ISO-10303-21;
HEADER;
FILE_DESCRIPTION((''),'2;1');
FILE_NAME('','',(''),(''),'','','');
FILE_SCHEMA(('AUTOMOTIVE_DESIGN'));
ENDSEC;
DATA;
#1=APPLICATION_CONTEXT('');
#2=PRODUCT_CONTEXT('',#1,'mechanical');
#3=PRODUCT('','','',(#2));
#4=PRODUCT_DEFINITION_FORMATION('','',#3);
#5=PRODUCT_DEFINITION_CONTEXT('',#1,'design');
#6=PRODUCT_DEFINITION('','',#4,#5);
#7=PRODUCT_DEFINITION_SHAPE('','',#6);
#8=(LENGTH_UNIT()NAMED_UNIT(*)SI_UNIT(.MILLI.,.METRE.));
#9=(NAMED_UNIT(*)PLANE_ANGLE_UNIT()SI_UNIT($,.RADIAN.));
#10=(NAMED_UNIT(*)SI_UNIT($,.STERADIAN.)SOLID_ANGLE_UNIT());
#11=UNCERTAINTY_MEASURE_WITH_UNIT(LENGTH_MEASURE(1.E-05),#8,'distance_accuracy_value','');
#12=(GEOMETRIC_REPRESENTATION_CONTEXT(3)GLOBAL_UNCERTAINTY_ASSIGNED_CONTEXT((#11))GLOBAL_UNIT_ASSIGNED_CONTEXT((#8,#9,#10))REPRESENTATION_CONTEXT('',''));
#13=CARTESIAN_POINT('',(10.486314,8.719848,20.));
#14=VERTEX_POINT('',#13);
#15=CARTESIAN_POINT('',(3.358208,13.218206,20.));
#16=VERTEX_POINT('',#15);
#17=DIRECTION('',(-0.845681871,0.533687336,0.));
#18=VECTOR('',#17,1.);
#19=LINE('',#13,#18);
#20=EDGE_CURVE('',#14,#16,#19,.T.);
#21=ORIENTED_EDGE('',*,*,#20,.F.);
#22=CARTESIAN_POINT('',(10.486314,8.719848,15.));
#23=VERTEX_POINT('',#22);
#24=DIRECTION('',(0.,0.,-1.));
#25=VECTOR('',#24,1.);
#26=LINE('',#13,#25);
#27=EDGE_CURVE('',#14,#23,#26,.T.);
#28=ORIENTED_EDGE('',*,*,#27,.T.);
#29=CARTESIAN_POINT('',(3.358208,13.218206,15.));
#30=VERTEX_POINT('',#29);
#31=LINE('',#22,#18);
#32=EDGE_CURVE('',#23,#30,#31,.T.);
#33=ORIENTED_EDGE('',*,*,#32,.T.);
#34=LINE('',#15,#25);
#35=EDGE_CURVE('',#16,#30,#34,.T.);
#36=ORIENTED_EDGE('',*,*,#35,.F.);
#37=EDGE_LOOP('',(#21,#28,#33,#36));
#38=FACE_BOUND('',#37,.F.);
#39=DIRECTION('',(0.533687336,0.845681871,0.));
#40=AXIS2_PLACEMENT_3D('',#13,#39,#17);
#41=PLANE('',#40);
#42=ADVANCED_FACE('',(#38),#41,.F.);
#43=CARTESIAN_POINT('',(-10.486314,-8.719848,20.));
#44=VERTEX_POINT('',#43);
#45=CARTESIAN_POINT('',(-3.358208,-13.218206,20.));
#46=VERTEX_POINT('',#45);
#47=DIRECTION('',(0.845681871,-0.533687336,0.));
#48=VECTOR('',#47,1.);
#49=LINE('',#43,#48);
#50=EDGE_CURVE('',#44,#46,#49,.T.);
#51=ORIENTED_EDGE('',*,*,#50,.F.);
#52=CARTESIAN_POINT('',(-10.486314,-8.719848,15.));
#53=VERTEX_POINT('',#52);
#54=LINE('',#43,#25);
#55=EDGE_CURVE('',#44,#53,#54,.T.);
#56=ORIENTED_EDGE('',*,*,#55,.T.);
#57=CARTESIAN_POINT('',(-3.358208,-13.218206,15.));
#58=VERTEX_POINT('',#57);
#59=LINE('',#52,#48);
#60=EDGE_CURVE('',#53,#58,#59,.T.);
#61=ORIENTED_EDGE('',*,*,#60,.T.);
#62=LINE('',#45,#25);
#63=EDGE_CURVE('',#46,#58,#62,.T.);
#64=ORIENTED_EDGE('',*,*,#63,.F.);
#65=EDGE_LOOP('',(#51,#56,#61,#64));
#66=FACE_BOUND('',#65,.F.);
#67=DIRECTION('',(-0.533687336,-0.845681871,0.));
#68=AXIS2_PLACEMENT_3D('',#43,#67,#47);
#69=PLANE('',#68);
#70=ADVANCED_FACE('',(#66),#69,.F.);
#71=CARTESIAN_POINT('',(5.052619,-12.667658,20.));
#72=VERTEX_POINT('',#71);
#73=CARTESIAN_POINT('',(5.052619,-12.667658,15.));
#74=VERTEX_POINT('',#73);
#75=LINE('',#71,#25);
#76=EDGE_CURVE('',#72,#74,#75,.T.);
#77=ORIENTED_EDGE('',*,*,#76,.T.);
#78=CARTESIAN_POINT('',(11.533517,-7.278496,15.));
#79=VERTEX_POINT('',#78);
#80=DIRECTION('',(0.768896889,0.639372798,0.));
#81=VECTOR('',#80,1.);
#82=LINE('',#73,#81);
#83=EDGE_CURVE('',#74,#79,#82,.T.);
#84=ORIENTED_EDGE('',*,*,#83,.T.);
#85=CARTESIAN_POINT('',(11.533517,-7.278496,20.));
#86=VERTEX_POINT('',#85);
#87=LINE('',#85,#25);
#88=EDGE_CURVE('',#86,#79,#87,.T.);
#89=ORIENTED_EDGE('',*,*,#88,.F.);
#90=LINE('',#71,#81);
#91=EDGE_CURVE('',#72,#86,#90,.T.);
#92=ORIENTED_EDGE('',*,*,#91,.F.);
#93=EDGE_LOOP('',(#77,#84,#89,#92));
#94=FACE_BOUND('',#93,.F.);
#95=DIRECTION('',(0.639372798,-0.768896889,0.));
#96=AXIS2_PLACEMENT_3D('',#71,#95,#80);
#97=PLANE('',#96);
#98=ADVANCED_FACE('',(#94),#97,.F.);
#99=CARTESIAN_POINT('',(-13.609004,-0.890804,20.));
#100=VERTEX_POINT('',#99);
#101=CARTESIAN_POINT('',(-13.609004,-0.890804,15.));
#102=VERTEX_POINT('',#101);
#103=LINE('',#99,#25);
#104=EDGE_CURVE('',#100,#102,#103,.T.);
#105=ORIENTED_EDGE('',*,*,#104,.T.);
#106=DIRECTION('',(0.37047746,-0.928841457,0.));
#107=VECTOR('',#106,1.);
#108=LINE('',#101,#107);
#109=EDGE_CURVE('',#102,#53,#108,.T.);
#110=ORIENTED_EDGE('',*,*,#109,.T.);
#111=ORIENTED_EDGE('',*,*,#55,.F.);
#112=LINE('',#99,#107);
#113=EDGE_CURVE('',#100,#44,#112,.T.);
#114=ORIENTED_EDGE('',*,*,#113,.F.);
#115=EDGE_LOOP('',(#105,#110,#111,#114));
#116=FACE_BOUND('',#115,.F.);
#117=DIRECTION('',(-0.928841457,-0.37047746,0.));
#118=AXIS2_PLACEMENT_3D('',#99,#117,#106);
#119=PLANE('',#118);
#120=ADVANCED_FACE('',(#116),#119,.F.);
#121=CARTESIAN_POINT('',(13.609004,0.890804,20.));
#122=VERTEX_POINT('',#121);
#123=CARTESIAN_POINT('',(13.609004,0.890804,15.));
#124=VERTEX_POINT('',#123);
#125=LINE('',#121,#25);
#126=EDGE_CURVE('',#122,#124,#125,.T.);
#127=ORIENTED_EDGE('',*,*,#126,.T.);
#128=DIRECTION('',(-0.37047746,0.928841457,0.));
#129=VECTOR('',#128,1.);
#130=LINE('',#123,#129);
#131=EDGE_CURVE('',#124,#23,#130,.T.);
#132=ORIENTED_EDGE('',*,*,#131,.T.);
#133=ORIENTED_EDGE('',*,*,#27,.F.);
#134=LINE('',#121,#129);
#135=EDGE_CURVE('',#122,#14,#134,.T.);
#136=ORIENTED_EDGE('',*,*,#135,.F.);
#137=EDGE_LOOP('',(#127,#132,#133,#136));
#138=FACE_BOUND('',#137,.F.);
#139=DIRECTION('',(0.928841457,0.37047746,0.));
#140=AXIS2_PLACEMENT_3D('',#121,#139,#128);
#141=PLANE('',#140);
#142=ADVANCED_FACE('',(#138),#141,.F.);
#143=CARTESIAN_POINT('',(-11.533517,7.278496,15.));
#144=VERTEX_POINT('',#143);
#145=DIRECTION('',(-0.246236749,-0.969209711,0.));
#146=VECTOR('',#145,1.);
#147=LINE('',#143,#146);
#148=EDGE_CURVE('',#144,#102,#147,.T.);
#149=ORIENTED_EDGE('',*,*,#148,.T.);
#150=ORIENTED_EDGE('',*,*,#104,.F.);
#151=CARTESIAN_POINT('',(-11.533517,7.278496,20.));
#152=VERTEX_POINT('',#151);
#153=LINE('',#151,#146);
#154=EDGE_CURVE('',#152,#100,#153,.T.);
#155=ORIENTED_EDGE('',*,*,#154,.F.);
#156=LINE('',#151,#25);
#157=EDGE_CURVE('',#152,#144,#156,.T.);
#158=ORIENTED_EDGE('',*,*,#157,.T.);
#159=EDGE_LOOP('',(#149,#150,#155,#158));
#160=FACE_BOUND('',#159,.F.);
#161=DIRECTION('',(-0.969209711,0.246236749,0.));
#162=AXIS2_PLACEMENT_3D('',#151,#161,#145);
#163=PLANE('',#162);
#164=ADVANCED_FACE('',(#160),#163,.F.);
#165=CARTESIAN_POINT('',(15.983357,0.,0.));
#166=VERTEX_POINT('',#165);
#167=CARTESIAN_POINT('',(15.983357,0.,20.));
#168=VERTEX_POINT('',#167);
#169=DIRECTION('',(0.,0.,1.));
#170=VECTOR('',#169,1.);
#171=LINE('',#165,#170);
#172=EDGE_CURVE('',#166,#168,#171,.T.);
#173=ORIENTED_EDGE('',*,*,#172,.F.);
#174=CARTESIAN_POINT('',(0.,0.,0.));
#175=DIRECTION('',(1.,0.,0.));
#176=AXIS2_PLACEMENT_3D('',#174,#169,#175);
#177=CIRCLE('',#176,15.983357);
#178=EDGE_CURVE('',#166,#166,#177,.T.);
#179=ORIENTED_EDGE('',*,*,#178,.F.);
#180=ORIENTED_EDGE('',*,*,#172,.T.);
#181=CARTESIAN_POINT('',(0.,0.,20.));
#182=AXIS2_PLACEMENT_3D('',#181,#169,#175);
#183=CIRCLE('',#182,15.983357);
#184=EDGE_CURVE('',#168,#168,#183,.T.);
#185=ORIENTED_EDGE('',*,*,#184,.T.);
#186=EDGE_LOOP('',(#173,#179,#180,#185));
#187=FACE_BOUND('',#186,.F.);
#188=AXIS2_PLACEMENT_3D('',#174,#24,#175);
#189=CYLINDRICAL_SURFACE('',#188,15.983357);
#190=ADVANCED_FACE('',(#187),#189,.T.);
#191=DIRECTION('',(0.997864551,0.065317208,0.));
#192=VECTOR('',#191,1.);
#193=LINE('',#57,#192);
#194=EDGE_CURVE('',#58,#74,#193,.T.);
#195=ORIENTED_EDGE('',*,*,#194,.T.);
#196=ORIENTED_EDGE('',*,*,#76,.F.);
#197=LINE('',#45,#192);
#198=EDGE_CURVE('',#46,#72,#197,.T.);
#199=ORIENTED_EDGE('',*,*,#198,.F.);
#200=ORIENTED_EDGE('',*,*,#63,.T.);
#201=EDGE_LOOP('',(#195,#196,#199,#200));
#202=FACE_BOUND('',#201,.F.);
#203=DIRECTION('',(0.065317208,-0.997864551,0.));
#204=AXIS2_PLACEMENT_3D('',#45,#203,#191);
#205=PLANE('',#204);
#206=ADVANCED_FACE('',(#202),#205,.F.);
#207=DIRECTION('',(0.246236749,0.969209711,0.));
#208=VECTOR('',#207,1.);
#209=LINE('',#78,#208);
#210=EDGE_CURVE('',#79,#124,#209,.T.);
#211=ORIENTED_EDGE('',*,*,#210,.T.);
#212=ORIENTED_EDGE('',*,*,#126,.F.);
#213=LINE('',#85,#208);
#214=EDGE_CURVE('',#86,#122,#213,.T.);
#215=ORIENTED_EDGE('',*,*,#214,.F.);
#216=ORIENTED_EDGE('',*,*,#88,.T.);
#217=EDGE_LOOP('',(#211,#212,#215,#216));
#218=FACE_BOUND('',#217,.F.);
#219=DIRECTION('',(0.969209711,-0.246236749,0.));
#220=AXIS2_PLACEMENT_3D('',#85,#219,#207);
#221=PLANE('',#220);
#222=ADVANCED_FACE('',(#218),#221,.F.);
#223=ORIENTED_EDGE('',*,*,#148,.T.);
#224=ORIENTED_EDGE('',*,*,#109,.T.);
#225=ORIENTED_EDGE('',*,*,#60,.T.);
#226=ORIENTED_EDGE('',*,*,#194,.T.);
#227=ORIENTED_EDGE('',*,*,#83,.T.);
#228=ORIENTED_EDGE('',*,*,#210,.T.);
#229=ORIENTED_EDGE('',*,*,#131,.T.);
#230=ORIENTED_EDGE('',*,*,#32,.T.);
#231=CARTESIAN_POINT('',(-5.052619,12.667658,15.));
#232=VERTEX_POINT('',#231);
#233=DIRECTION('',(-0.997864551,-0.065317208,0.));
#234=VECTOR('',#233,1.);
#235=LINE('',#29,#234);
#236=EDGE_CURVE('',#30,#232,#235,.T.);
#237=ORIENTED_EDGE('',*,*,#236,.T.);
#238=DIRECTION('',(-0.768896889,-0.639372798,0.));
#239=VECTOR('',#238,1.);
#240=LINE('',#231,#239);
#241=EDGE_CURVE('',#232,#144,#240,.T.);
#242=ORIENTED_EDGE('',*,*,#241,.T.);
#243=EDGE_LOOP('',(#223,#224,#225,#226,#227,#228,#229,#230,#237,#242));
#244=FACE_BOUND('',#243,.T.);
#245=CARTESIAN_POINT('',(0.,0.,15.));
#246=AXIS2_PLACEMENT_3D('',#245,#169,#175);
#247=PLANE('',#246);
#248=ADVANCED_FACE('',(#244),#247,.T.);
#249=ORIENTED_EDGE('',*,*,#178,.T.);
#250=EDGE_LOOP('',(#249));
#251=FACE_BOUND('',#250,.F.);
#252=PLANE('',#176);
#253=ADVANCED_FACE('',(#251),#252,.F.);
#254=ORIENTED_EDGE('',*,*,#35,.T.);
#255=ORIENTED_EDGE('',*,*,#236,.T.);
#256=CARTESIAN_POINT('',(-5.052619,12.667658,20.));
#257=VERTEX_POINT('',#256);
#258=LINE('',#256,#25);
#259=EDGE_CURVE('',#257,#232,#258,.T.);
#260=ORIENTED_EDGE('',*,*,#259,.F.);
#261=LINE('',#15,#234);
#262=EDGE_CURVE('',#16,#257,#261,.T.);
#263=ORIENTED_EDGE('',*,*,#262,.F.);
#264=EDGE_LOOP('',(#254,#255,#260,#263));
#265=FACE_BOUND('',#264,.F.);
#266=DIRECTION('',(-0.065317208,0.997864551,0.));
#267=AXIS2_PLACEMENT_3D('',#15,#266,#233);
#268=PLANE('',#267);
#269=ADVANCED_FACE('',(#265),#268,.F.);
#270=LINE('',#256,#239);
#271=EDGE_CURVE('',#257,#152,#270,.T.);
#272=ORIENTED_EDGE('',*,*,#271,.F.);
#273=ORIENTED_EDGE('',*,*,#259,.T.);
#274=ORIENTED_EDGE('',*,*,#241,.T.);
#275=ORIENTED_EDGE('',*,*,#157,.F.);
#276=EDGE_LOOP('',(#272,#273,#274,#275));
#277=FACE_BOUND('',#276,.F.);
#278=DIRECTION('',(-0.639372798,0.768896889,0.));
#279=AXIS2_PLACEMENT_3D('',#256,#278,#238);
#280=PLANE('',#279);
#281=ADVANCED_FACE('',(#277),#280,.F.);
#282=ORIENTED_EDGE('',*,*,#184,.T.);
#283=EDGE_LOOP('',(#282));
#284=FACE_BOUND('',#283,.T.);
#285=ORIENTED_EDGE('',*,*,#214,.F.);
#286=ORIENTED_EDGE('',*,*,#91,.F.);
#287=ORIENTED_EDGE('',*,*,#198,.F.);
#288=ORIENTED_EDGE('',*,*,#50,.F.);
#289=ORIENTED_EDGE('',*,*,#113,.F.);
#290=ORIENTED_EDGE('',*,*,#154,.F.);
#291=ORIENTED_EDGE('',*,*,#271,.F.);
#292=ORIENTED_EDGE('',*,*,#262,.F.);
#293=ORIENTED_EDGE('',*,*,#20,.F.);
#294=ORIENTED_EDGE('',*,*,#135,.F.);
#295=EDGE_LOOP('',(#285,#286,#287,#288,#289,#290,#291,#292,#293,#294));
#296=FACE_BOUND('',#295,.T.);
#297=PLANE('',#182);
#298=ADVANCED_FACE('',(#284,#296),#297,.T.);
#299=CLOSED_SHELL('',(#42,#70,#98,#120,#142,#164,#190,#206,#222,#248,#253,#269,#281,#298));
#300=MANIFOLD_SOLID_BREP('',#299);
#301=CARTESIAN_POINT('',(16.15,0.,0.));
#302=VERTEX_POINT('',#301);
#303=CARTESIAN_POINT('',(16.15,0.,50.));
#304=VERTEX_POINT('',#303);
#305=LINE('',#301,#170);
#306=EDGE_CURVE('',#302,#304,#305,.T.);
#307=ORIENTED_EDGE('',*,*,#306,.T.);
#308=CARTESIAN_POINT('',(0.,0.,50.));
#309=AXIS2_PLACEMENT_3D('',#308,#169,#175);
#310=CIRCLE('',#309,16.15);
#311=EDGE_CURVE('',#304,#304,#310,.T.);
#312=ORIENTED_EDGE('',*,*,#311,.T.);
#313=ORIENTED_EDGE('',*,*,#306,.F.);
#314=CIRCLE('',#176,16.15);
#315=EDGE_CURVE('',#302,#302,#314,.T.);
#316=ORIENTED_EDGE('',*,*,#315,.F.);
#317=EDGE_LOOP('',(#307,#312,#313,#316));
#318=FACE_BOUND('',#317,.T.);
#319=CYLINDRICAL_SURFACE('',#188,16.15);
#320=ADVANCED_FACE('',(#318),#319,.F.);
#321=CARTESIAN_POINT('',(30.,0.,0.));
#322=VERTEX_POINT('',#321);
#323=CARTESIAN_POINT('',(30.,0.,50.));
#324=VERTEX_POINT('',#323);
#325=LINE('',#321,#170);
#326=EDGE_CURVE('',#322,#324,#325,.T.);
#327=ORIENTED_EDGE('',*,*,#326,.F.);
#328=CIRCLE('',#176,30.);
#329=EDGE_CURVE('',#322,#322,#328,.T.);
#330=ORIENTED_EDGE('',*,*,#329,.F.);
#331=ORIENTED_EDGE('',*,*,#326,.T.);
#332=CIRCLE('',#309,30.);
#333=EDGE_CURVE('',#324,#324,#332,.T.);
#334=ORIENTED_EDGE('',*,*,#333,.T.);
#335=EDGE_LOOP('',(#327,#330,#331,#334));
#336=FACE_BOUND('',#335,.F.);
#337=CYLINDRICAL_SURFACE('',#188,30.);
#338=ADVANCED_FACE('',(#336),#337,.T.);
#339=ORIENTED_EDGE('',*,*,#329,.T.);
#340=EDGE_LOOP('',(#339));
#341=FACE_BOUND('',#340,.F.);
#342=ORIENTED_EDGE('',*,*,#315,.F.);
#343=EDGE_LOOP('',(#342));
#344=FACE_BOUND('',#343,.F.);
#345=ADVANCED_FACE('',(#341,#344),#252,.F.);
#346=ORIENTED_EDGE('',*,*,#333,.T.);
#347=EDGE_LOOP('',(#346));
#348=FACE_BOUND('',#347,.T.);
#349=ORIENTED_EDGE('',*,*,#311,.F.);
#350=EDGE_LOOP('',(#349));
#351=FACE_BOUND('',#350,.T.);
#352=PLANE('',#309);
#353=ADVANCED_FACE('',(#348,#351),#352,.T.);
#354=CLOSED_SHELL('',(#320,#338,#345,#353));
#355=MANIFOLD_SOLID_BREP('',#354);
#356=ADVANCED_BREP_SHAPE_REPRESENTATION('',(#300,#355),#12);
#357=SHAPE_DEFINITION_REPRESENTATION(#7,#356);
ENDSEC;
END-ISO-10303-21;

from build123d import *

# Parameters (mm, degrees)
F0_R     = 30
F0_R_2   = 16.15
F1_DEPTH = 50
F2_R     = 15.9833570906
F3_DEPTH = 20
F6_DEPTH = 5
F7_R     = 5
F8_DEPTH = 5
F9_DEPTH = 5


with BuildPart() as f1:
    # F0 (on Top) → F1 (new body)
    with BuildSketch(Plane.XY):
        Circle(F0_R)
        Circle(F0_R_2, mode=Mode.SUBTRACT)
    extrude(amount=F1_DEPTH)

    # F7 (on face) → F8 (cut)
    with BuildSketch(Plane.XY.offset(20)):
        Circle(F7_R)
    extrude(amount=-F8_DEPTH, mode=Mode.SUBTRACT)

    # F7 (on face) → F9 (cut)
    with BuildSketch(Plane.XY.offset(20)):
        Circle(F7_R)
    extrude(amount=-F9_DEPTH, mode=Mode.SUBTRACT)


with BuildPart() as f3:
    # F2 (on Top) → F3 (new body)
    with BuildSketch(Plane.XY):
        Circle(F2_R)
    extrude(amount=F3_DEPTH)

    # F5 (on face) → F6 (cut)
    with BuildSketch(Plane.XY.offset(20)):
        Polygon((-5.0526188535, 12.6676582507), (-11.5335172194, 7.2784959563), (-13.6090040174, -0.8908044065), (-10.4863138337, -8.7198477634), (-3.3582081823, -13.2182056513), (5.0526188535, -12.6676582507), (11.5335172194, -7.2784959563), (13.6090040174, 0.8908044065), (10.4863138337, 8.7198477634), (3.3582081823, 13.2182056513), align=None)
    extrude(amount=-F6_DEPTH, mode=Mode.SUBTRACT)


solid = Compound([f1.part, f3.part])
